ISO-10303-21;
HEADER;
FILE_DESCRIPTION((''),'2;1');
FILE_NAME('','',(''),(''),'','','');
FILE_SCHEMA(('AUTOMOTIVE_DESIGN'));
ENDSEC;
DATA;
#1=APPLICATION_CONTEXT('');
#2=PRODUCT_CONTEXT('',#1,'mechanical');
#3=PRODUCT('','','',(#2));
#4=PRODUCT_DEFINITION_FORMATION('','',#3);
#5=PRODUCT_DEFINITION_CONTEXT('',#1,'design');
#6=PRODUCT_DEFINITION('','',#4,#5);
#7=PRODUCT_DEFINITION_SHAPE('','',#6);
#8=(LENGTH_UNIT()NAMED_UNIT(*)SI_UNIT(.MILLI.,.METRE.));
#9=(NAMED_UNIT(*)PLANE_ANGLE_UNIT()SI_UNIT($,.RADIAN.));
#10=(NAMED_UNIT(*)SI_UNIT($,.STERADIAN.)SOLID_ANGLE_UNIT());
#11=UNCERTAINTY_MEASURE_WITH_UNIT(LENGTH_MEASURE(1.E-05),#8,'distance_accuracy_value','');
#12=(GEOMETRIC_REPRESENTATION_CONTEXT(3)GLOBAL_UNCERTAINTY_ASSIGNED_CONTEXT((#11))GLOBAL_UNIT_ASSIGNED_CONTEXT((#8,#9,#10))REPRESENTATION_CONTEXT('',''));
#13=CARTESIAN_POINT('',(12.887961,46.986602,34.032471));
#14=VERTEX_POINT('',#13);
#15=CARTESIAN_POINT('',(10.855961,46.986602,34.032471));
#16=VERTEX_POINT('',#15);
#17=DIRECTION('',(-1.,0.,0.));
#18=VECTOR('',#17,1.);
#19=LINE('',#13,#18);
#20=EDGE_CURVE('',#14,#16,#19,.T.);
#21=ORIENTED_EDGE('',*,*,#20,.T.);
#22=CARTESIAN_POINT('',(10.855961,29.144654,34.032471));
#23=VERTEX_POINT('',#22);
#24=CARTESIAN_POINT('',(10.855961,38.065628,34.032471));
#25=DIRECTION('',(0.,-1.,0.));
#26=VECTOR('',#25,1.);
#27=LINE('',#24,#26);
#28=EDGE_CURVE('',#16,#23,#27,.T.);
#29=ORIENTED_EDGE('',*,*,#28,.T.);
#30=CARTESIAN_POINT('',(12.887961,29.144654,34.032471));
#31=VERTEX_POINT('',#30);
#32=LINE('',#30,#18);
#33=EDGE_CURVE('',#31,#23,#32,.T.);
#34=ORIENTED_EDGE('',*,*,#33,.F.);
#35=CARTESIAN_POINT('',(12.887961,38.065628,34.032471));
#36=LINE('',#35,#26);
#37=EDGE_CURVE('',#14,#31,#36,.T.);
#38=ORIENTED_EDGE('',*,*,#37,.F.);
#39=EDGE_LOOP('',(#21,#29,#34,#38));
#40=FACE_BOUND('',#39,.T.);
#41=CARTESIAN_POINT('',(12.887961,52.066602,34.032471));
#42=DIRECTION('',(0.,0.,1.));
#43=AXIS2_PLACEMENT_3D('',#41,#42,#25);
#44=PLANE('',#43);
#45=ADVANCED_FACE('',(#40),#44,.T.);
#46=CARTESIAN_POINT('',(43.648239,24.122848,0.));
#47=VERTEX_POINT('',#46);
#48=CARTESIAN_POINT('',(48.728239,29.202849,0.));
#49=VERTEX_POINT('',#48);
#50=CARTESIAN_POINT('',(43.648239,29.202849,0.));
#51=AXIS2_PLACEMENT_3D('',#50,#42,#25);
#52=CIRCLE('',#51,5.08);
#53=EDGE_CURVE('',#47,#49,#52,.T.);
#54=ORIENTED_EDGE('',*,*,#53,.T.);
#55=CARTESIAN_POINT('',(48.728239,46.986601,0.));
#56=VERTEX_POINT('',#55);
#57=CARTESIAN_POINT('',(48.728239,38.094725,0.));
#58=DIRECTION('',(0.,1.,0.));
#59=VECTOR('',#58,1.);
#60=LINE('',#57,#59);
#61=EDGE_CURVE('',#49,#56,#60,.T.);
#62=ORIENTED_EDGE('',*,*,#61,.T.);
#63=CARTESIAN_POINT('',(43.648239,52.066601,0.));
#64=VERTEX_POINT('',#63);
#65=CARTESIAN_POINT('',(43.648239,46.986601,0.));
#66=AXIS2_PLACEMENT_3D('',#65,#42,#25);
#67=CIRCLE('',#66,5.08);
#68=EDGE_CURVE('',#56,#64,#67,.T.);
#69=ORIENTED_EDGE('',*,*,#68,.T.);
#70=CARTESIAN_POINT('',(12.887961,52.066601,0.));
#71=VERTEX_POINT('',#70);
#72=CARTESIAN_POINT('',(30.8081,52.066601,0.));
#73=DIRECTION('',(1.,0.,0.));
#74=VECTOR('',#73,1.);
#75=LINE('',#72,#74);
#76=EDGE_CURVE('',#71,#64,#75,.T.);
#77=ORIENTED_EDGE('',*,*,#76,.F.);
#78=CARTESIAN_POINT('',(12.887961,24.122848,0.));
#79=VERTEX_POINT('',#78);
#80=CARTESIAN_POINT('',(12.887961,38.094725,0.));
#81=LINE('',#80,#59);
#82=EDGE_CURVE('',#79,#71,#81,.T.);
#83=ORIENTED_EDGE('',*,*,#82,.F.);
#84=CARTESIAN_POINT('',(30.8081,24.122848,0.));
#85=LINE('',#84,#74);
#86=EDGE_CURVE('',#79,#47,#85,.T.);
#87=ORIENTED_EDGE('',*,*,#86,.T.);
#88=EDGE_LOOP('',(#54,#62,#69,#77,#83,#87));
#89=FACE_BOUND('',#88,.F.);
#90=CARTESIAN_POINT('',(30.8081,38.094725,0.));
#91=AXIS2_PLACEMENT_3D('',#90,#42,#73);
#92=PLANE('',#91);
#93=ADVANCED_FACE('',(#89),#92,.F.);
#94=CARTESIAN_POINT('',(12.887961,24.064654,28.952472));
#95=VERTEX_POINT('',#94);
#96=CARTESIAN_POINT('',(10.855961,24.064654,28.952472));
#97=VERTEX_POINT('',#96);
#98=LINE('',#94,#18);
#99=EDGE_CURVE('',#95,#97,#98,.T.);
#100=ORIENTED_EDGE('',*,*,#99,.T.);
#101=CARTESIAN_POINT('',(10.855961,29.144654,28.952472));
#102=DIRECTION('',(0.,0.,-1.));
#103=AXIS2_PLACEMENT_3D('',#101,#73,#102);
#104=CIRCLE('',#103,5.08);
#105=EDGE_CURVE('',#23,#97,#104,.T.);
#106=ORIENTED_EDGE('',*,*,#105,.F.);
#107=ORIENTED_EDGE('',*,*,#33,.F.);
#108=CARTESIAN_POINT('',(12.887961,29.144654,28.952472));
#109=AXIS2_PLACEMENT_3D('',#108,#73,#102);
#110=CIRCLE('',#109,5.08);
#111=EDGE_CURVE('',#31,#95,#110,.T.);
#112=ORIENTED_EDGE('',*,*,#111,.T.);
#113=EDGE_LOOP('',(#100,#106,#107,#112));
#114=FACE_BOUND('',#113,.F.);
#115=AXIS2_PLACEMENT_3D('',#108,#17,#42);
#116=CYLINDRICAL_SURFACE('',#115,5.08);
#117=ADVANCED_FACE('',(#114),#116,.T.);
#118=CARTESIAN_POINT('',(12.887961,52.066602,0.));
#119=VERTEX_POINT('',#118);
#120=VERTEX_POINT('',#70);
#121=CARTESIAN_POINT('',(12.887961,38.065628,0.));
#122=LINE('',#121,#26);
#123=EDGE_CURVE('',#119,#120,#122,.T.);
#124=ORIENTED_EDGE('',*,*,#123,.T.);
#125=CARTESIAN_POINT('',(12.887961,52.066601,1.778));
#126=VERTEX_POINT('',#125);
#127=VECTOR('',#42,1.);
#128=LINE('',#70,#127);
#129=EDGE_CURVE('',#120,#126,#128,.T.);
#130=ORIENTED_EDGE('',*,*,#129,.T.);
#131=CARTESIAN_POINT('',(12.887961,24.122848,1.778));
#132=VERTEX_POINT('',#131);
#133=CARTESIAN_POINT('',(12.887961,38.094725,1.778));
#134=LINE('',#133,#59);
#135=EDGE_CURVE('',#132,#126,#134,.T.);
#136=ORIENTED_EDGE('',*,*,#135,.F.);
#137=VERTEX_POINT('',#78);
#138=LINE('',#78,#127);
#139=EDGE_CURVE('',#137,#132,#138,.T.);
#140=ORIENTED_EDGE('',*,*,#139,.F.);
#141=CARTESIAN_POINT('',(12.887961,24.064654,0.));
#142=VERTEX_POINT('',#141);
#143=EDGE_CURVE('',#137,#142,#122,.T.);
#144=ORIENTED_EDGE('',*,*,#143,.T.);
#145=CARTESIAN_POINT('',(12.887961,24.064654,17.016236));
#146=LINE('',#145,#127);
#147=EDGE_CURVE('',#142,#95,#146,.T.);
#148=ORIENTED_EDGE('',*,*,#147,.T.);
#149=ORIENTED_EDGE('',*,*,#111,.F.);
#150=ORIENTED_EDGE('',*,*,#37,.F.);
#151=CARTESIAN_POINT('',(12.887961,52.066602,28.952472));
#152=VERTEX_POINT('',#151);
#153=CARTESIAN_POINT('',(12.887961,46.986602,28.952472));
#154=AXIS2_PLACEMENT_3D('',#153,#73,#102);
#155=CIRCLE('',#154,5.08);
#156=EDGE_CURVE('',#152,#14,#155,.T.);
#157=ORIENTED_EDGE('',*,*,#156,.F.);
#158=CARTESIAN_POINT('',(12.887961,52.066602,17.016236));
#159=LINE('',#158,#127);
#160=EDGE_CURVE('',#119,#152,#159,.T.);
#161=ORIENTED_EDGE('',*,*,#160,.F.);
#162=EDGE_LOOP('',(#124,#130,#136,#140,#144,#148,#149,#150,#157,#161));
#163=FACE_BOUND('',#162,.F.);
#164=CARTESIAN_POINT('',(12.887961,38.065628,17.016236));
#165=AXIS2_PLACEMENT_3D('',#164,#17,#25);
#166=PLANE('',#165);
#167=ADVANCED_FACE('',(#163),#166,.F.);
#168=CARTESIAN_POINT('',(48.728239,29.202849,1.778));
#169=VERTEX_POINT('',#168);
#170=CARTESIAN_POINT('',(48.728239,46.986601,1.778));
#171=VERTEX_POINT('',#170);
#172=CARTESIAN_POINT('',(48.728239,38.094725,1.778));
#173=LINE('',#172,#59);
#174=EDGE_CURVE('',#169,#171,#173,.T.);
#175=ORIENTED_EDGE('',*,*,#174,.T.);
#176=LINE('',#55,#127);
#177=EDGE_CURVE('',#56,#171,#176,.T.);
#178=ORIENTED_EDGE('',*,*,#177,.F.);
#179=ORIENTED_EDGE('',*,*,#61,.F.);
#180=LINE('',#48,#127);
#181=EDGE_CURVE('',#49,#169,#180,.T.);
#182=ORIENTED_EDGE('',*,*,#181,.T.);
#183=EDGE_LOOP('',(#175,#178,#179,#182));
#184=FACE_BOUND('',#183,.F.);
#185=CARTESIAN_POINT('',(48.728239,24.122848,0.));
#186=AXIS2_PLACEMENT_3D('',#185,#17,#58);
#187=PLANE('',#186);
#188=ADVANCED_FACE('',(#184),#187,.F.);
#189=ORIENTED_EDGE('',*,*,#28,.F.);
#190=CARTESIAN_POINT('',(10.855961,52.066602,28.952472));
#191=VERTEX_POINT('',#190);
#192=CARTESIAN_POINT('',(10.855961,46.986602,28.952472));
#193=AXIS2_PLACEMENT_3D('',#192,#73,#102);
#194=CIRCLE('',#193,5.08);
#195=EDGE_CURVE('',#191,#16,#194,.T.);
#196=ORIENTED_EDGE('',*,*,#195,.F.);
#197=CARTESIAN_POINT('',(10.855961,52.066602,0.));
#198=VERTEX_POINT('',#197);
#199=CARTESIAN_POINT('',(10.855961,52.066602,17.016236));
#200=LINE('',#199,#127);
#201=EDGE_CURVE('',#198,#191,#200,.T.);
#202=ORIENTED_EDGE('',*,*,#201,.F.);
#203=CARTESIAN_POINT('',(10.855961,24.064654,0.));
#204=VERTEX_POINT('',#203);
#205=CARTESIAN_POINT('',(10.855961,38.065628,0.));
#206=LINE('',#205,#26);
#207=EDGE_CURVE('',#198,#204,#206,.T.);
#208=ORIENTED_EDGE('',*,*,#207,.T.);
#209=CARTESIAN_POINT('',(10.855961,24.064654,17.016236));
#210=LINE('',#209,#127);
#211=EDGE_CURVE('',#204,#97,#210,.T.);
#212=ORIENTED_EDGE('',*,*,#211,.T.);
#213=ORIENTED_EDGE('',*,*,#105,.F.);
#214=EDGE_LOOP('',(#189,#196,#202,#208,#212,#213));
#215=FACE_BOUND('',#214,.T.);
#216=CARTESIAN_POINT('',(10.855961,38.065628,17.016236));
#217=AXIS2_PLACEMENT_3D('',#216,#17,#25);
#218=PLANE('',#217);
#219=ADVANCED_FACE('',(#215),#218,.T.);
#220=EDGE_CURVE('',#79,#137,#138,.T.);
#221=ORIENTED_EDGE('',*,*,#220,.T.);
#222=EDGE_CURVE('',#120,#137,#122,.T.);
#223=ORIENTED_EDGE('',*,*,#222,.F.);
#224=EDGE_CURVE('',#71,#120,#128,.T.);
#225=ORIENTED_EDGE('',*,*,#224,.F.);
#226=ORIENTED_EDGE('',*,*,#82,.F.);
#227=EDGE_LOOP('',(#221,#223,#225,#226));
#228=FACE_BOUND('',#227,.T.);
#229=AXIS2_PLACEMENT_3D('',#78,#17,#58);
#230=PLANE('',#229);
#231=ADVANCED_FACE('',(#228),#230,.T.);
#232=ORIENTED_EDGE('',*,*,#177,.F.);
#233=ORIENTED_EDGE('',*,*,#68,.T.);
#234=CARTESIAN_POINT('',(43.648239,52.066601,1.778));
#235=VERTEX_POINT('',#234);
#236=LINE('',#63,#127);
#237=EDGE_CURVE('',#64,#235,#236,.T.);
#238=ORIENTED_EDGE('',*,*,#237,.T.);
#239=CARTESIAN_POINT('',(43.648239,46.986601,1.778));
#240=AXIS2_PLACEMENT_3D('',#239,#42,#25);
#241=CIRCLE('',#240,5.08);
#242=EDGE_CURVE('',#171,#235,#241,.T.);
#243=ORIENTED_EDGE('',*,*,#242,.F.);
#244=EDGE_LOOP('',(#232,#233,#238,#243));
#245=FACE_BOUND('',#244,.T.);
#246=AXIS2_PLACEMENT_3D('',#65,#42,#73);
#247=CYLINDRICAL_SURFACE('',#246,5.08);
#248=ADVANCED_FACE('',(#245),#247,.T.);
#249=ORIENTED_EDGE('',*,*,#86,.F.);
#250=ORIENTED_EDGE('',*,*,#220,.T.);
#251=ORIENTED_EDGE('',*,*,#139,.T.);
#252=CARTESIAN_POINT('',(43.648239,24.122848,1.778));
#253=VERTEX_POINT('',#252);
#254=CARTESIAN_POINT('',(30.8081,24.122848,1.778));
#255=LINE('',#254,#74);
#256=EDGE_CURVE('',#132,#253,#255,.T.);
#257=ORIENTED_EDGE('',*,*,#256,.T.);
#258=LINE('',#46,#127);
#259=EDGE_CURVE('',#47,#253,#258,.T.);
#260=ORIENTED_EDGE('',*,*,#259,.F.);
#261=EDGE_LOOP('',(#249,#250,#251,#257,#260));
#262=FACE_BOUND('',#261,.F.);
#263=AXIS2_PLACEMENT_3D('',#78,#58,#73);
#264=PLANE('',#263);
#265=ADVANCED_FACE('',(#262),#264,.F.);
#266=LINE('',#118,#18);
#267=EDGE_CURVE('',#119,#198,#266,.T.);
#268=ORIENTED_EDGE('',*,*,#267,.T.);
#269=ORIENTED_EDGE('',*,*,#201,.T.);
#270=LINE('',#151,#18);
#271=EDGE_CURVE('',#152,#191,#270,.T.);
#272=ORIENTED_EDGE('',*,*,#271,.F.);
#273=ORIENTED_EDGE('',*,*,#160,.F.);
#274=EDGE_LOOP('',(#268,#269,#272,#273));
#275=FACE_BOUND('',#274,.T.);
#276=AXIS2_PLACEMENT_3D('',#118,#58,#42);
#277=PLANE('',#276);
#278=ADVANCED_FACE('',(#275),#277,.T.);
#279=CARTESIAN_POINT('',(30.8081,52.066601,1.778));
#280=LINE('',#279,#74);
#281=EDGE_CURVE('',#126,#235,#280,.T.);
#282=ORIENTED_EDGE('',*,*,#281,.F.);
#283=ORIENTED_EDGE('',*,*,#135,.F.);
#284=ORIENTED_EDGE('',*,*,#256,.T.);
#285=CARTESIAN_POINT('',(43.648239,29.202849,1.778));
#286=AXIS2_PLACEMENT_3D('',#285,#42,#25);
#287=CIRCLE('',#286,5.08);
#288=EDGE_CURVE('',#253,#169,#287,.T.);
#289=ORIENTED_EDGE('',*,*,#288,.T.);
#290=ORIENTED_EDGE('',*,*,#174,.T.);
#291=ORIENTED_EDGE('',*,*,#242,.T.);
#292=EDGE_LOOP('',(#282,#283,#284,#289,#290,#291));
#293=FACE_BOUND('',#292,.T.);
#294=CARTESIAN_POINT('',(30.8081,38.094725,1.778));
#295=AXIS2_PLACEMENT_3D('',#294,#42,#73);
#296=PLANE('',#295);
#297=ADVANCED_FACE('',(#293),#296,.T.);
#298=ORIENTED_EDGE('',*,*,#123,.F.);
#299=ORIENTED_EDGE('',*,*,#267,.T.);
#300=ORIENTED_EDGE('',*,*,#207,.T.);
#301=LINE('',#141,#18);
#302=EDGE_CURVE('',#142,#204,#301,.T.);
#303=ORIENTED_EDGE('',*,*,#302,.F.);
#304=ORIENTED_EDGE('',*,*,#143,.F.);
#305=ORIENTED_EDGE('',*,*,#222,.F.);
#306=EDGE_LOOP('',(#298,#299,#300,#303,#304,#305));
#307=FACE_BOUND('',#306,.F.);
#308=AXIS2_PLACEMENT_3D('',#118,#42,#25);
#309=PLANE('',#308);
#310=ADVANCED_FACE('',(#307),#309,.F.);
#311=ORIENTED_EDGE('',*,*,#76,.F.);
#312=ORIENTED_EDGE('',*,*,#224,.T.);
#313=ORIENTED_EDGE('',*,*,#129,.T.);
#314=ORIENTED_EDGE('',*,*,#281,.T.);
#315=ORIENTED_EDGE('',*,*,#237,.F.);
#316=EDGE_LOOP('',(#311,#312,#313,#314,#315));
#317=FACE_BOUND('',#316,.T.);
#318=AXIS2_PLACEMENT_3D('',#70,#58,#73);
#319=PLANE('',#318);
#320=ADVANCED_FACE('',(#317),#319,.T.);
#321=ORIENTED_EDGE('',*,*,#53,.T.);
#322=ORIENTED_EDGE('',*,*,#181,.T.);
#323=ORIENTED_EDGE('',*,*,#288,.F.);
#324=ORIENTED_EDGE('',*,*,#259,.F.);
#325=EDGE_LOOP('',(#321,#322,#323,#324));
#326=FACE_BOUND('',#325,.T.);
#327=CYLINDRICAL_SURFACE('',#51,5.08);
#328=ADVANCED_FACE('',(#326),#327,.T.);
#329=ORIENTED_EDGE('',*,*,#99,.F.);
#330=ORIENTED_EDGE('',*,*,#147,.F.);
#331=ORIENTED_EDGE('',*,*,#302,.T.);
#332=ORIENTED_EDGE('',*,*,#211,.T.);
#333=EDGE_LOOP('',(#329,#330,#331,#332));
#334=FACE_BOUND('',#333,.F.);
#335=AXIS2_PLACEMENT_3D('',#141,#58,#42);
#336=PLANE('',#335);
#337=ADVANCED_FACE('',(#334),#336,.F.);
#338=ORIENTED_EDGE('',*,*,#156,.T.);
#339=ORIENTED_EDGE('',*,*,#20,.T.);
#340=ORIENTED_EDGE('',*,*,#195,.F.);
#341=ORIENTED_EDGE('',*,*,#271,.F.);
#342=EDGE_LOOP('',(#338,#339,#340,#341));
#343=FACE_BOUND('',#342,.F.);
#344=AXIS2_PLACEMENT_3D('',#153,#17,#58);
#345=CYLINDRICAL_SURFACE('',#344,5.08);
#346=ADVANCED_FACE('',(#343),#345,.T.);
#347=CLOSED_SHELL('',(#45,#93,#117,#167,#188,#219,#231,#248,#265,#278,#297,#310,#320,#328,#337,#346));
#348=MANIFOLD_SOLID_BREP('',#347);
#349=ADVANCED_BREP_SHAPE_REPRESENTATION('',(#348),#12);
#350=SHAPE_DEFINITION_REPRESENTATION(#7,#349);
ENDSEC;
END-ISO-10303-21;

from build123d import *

# Parameters (mm, degrees)
F0_W     = 35.840278
F0_H     = 27.943753
F1_DEPTH = 1.778
F2_R     = 5.08
F3_W     = 28.001948
F3_H     = 34.032471
F4_DEPTH = 2.032
F5_R     = 5.08


with BuildPart() as f1:
    # F0 (on Top) → F1 (new body)
    with BuildSketch(Plane.XY):
        with Locations((30.8081, 38.094725)):
            Rectangle(F0_W, F0_H)
    extrude(amount=F1_DEPTH)

    # F2
    f2_edges = [f1.edges().sort_by_distance(p)[0] for p in [
        (48.728239, 24.122849, 0.889),
        (48.728239, 52.066602, 0.889),
    ]]
    fillet(f2_edges, radius=F2_R)

    # F3 (on face) → F4 (join)
    with BuildSketch(Plane(origin=(12.887961, 0, 0), x_dir=(0, -1, 0), z_dir=(-1, 0, 0))):
        with Locations((-38.065628, 17.016236)):
            Rectangle(F3_W, F3_H)
    extrude(amount=F4_DEPTH)

    # F5
    f5_edges = [f1.edges().sort_by_distance(p)[0] for p in [
        (11.871961, 52.066602, 34.032471),
        (11.871961, 24.064654, 34.032471),
    ]]
    fillet(f5_edges, radius=F5_R)


solid = f1.part
